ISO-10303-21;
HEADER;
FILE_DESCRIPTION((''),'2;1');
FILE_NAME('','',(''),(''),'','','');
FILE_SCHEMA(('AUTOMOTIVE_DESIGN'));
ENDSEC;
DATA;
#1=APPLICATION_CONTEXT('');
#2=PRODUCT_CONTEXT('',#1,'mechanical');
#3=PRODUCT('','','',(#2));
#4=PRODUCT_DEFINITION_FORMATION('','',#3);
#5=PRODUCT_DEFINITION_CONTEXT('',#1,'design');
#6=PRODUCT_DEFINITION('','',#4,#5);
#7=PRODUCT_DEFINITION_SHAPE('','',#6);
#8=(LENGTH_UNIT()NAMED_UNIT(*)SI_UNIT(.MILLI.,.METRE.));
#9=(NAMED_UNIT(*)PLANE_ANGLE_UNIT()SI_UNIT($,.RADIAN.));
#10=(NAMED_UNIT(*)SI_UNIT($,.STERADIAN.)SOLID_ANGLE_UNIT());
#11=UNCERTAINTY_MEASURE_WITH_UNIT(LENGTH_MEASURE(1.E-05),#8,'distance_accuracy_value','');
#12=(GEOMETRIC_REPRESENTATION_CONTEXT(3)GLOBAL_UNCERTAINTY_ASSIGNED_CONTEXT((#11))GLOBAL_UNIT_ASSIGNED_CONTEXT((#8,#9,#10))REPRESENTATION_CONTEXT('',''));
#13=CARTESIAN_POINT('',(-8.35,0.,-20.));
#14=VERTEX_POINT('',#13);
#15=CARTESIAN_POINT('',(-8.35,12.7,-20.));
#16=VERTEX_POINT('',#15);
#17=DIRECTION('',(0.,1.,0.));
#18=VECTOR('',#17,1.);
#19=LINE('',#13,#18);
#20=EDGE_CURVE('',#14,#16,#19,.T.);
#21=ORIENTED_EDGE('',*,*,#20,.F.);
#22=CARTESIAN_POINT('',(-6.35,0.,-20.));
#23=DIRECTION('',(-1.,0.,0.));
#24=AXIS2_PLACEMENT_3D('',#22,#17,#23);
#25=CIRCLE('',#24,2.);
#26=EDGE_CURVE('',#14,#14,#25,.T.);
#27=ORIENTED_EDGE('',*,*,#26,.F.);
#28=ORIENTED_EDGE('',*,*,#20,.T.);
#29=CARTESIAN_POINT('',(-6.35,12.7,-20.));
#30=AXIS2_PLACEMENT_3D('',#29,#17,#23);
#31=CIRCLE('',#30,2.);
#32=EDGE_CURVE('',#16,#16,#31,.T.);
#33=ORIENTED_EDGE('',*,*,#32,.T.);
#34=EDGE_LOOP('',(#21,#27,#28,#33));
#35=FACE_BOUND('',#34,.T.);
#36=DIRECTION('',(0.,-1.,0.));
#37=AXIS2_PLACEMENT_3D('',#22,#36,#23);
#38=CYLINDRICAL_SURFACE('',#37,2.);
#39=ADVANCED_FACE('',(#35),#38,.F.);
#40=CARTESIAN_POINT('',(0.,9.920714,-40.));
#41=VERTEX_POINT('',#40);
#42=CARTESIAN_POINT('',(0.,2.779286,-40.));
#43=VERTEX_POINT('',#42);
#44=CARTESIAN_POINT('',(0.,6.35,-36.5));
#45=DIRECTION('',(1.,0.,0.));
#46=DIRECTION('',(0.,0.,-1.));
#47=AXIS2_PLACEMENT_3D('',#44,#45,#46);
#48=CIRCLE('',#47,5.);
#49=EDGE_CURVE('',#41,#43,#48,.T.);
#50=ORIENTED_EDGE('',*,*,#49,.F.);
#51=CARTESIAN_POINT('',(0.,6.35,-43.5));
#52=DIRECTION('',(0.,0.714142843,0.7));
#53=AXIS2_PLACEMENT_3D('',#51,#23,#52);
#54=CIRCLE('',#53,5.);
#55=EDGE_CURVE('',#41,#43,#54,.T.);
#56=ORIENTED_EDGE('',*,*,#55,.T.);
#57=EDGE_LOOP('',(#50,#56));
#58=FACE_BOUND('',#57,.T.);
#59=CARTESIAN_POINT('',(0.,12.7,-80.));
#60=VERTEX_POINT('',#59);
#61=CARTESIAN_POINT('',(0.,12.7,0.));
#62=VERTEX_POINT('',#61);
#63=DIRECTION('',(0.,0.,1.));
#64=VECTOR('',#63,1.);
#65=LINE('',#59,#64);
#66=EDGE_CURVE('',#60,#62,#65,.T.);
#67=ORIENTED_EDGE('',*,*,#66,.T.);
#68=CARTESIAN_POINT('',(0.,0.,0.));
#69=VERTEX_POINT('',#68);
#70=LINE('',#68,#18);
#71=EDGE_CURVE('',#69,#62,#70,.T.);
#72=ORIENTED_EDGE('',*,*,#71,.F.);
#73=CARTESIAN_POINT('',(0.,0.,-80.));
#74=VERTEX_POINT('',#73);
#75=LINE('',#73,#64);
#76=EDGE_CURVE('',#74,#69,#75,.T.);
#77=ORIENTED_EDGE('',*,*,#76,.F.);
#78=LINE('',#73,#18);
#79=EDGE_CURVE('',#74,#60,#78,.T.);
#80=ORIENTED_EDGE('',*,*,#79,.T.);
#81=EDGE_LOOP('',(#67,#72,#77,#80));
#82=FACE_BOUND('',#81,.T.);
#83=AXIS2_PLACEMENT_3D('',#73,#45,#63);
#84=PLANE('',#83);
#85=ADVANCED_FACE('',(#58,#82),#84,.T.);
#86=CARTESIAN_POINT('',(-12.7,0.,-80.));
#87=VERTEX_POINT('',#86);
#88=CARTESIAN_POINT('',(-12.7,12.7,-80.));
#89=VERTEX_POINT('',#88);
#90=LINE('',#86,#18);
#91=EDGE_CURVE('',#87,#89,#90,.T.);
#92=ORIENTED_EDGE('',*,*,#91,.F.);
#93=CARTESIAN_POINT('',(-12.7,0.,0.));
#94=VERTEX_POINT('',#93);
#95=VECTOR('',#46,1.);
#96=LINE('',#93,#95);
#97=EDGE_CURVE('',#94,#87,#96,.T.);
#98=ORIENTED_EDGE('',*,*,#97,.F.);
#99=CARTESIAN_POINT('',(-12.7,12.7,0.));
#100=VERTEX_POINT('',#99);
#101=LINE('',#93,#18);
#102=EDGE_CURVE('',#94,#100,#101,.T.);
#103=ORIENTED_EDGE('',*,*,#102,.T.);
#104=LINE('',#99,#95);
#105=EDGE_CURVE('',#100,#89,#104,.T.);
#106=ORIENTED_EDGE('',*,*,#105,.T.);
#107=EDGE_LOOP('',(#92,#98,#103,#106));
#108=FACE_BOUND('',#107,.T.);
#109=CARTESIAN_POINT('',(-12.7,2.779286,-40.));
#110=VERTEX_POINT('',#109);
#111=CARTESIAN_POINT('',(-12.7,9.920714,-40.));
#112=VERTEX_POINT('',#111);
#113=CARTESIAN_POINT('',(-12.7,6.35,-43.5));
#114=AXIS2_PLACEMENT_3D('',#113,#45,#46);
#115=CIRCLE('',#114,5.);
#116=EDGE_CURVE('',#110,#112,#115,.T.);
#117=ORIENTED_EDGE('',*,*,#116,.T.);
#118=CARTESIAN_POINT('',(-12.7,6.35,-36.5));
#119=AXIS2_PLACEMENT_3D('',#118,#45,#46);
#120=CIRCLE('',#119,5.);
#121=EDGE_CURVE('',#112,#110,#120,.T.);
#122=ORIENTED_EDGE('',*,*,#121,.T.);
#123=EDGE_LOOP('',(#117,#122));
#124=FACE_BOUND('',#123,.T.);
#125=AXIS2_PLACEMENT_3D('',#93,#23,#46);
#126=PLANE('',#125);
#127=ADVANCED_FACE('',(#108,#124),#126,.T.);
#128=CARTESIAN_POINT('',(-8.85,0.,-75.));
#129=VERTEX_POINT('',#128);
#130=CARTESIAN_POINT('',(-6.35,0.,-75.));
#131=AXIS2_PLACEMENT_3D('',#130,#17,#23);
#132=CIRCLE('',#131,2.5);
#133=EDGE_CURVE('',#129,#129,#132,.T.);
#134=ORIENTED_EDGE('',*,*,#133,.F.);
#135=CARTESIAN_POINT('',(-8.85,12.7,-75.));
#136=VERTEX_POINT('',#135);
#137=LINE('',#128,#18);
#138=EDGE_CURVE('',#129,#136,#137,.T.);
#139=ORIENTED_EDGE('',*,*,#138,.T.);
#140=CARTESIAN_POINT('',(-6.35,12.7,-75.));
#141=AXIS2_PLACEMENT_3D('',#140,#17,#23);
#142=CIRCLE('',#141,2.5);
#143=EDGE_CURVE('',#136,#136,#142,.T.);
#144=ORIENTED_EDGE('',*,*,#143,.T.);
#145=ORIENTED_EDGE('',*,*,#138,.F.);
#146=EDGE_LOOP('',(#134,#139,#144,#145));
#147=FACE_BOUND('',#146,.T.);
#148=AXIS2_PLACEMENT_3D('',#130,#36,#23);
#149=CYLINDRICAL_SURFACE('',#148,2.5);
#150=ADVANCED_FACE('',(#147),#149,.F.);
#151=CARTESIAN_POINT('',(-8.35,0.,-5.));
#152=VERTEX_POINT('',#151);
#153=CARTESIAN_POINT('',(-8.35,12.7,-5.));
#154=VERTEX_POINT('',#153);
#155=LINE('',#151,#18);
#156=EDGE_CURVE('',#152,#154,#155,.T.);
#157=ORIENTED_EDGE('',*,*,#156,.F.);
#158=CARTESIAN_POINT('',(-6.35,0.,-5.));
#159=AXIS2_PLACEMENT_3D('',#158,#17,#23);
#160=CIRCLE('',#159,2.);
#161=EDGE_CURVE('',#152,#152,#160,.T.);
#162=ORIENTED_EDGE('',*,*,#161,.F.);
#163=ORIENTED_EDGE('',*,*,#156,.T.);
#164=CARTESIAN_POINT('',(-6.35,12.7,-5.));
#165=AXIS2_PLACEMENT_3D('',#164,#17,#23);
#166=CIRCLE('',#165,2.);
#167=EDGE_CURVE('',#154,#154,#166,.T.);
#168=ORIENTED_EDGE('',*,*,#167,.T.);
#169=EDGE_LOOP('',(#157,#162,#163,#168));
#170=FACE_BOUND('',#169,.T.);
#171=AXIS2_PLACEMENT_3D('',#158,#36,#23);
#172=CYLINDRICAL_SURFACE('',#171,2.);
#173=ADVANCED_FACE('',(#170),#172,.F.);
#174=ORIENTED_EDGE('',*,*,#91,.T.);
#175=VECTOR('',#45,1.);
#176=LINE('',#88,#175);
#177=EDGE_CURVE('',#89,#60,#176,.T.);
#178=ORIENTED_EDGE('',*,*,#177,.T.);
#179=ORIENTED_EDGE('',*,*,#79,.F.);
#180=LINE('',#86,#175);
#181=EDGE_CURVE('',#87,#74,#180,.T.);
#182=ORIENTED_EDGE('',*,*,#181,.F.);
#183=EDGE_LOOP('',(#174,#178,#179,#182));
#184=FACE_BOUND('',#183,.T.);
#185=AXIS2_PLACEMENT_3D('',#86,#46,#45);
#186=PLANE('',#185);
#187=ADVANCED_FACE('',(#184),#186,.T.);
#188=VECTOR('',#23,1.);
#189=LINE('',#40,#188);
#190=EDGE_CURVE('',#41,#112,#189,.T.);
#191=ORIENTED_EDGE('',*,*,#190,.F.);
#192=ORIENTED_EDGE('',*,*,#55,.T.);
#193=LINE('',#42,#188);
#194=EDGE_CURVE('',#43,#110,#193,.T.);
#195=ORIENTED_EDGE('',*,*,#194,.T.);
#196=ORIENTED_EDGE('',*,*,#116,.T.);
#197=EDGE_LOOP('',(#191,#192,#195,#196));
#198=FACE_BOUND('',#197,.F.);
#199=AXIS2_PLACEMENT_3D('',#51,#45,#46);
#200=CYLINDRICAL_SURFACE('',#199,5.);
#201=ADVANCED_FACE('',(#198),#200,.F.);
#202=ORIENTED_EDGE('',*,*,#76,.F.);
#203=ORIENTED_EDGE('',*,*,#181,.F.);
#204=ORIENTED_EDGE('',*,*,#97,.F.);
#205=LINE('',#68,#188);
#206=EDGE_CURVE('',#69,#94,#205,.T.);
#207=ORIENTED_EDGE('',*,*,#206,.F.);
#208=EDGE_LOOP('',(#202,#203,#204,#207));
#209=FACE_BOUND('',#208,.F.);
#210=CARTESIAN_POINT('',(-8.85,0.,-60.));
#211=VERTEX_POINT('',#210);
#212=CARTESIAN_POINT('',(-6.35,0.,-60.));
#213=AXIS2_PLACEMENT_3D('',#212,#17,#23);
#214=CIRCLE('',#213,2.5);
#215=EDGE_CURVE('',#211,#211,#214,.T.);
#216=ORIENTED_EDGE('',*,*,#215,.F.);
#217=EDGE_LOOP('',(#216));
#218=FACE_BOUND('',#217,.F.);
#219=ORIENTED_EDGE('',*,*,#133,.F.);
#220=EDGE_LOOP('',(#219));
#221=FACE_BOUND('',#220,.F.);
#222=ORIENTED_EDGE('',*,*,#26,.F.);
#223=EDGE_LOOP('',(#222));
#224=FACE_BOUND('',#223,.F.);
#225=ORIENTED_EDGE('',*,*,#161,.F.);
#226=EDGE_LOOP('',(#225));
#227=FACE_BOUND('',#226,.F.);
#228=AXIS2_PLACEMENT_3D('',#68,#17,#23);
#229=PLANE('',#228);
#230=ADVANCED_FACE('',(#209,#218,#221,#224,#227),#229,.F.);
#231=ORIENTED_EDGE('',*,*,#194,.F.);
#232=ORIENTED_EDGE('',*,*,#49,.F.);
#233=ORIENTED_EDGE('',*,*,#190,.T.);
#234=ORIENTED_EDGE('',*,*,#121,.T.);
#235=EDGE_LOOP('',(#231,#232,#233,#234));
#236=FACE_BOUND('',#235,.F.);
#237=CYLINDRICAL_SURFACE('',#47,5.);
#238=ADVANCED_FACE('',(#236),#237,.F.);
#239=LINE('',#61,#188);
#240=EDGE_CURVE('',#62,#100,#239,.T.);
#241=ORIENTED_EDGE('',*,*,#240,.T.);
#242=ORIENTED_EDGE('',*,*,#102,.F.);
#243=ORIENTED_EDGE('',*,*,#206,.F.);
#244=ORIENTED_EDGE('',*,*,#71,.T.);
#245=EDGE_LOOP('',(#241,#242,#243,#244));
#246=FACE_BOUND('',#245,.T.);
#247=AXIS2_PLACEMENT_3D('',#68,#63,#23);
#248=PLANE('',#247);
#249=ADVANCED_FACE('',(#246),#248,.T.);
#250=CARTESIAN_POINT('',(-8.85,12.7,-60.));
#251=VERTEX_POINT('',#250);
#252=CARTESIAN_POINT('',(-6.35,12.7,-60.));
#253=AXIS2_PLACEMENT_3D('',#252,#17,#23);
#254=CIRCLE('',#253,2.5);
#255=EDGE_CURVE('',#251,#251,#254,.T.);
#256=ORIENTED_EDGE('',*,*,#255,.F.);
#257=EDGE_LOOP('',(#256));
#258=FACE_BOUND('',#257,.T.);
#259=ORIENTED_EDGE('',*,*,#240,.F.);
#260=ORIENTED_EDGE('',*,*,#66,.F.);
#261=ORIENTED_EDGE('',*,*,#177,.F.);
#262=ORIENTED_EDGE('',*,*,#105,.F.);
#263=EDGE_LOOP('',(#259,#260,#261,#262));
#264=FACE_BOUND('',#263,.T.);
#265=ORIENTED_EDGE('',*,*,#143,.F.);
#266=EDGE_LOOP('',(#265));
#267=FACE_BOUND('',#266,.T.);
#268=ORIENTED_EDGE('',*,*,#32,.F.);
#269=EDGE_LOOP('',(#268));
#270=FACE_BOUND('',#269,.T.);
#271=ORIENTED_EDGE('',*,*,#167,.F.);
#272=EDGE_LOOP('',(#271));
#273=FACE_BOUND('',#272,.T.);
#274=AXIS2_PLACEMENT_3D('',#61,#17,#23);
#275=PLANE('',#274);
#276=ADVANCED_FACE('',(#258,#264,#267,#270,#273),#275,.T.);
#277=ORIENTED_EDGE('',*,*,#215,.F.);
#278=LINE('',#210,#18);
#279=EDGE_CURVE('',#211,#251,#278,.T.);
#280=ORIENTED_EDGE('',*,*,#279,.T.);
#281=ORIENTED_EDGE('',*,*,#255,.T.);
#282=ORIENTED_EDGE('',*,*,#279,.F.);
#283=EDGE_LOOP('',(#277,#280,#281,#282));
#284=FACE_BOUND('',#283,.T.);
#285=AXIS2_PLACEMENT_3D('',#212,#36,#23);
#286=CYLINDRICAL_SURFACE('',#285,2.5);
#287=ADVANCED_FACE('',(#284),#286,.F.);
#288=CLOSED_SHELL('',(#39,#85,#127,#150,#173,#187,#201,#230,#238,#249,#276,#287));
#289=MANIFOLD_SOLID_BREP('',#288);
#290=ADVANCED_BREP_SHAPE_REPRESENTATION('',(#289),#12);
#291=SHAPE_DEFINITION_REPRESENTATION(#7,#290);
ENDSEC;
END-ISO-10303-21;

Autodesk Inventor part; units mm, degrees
ref_plane "YZ Plane" through (0, 0, 0) normal (1, 0, 0) x (0, 1, 0)
ref_plane "XZ Plane" through (0, 0, 0) normal (0, 1, 0) x (-1, 0, 0)
ref_plane "XY Plane" through (0, 0, 0) normal (0, 0, 1) x (1, 0, 0)
sketch "Esquisse1" plane through (0, 0, 0) normal (0, 1, 0) x (-1, 0, 0)
  line L0 (0, 0) -> (12.7, 0)
  line L1 (12.7, 0) -> (12.7, -80)
  line L2 (12.7, -80) -> (0, -80)
  line L3 (0, -80) -> (0, 0)
  line L4 (6.35, 0) -> (6.35, -80) construction
  circle A0 centre (6.35, -5) radius 2
  circle A1 centre (6.35, -20) radius 2
  circle A2 centre (6.35, -75) radius 2.5
  circle A3 centre (6.35, -60) radius 2.5
  line L5 (6.35, -60) -> (6.35, -20) construction
  point P0 (6.35, -40)
  dimension "d0" = 12.7
  dimension "d1" = 80
  dimension "d2" = 40
  dimension "d3" = 15
  dimension "d4" = 15
  dimension "d5" = 4
  dimension "d6" = 5
extrude "Extrusion1" add sketch "Esquisse1" along normal blind 12.7
sketch "Esquisse2" plane through (0, 0, 0) normal (1, 0, 0) x (0, 0, -1)
  line L0 (80, 0) -> (0, 0) construction
  line L1 (80, 0) -> (80, 12.7) construction
  line L2 (0, 12.7) -> (80, 12.7) construction
  line L3 (0, 0) -> (0, 12.7) construction
  line L4 (0, 12.7) -> (80, 12.7) construction
  line L5 (40, 12.7) -> (40, 0) construction
  circle A0 centre (43.5, 6.35) radius 5
  line L6 (43.5, 6.35) -> (36.5, 6.35) construction
  circle A1 centre (36.5, 6.35) radius 5
  point P0 (40, 6.35)
  dimension "d9" = 7
  dimension "d10" = 10
extrude "Extrusion2" cut sketch "Esquisse2" against normal through all
properties part number "gauge"
